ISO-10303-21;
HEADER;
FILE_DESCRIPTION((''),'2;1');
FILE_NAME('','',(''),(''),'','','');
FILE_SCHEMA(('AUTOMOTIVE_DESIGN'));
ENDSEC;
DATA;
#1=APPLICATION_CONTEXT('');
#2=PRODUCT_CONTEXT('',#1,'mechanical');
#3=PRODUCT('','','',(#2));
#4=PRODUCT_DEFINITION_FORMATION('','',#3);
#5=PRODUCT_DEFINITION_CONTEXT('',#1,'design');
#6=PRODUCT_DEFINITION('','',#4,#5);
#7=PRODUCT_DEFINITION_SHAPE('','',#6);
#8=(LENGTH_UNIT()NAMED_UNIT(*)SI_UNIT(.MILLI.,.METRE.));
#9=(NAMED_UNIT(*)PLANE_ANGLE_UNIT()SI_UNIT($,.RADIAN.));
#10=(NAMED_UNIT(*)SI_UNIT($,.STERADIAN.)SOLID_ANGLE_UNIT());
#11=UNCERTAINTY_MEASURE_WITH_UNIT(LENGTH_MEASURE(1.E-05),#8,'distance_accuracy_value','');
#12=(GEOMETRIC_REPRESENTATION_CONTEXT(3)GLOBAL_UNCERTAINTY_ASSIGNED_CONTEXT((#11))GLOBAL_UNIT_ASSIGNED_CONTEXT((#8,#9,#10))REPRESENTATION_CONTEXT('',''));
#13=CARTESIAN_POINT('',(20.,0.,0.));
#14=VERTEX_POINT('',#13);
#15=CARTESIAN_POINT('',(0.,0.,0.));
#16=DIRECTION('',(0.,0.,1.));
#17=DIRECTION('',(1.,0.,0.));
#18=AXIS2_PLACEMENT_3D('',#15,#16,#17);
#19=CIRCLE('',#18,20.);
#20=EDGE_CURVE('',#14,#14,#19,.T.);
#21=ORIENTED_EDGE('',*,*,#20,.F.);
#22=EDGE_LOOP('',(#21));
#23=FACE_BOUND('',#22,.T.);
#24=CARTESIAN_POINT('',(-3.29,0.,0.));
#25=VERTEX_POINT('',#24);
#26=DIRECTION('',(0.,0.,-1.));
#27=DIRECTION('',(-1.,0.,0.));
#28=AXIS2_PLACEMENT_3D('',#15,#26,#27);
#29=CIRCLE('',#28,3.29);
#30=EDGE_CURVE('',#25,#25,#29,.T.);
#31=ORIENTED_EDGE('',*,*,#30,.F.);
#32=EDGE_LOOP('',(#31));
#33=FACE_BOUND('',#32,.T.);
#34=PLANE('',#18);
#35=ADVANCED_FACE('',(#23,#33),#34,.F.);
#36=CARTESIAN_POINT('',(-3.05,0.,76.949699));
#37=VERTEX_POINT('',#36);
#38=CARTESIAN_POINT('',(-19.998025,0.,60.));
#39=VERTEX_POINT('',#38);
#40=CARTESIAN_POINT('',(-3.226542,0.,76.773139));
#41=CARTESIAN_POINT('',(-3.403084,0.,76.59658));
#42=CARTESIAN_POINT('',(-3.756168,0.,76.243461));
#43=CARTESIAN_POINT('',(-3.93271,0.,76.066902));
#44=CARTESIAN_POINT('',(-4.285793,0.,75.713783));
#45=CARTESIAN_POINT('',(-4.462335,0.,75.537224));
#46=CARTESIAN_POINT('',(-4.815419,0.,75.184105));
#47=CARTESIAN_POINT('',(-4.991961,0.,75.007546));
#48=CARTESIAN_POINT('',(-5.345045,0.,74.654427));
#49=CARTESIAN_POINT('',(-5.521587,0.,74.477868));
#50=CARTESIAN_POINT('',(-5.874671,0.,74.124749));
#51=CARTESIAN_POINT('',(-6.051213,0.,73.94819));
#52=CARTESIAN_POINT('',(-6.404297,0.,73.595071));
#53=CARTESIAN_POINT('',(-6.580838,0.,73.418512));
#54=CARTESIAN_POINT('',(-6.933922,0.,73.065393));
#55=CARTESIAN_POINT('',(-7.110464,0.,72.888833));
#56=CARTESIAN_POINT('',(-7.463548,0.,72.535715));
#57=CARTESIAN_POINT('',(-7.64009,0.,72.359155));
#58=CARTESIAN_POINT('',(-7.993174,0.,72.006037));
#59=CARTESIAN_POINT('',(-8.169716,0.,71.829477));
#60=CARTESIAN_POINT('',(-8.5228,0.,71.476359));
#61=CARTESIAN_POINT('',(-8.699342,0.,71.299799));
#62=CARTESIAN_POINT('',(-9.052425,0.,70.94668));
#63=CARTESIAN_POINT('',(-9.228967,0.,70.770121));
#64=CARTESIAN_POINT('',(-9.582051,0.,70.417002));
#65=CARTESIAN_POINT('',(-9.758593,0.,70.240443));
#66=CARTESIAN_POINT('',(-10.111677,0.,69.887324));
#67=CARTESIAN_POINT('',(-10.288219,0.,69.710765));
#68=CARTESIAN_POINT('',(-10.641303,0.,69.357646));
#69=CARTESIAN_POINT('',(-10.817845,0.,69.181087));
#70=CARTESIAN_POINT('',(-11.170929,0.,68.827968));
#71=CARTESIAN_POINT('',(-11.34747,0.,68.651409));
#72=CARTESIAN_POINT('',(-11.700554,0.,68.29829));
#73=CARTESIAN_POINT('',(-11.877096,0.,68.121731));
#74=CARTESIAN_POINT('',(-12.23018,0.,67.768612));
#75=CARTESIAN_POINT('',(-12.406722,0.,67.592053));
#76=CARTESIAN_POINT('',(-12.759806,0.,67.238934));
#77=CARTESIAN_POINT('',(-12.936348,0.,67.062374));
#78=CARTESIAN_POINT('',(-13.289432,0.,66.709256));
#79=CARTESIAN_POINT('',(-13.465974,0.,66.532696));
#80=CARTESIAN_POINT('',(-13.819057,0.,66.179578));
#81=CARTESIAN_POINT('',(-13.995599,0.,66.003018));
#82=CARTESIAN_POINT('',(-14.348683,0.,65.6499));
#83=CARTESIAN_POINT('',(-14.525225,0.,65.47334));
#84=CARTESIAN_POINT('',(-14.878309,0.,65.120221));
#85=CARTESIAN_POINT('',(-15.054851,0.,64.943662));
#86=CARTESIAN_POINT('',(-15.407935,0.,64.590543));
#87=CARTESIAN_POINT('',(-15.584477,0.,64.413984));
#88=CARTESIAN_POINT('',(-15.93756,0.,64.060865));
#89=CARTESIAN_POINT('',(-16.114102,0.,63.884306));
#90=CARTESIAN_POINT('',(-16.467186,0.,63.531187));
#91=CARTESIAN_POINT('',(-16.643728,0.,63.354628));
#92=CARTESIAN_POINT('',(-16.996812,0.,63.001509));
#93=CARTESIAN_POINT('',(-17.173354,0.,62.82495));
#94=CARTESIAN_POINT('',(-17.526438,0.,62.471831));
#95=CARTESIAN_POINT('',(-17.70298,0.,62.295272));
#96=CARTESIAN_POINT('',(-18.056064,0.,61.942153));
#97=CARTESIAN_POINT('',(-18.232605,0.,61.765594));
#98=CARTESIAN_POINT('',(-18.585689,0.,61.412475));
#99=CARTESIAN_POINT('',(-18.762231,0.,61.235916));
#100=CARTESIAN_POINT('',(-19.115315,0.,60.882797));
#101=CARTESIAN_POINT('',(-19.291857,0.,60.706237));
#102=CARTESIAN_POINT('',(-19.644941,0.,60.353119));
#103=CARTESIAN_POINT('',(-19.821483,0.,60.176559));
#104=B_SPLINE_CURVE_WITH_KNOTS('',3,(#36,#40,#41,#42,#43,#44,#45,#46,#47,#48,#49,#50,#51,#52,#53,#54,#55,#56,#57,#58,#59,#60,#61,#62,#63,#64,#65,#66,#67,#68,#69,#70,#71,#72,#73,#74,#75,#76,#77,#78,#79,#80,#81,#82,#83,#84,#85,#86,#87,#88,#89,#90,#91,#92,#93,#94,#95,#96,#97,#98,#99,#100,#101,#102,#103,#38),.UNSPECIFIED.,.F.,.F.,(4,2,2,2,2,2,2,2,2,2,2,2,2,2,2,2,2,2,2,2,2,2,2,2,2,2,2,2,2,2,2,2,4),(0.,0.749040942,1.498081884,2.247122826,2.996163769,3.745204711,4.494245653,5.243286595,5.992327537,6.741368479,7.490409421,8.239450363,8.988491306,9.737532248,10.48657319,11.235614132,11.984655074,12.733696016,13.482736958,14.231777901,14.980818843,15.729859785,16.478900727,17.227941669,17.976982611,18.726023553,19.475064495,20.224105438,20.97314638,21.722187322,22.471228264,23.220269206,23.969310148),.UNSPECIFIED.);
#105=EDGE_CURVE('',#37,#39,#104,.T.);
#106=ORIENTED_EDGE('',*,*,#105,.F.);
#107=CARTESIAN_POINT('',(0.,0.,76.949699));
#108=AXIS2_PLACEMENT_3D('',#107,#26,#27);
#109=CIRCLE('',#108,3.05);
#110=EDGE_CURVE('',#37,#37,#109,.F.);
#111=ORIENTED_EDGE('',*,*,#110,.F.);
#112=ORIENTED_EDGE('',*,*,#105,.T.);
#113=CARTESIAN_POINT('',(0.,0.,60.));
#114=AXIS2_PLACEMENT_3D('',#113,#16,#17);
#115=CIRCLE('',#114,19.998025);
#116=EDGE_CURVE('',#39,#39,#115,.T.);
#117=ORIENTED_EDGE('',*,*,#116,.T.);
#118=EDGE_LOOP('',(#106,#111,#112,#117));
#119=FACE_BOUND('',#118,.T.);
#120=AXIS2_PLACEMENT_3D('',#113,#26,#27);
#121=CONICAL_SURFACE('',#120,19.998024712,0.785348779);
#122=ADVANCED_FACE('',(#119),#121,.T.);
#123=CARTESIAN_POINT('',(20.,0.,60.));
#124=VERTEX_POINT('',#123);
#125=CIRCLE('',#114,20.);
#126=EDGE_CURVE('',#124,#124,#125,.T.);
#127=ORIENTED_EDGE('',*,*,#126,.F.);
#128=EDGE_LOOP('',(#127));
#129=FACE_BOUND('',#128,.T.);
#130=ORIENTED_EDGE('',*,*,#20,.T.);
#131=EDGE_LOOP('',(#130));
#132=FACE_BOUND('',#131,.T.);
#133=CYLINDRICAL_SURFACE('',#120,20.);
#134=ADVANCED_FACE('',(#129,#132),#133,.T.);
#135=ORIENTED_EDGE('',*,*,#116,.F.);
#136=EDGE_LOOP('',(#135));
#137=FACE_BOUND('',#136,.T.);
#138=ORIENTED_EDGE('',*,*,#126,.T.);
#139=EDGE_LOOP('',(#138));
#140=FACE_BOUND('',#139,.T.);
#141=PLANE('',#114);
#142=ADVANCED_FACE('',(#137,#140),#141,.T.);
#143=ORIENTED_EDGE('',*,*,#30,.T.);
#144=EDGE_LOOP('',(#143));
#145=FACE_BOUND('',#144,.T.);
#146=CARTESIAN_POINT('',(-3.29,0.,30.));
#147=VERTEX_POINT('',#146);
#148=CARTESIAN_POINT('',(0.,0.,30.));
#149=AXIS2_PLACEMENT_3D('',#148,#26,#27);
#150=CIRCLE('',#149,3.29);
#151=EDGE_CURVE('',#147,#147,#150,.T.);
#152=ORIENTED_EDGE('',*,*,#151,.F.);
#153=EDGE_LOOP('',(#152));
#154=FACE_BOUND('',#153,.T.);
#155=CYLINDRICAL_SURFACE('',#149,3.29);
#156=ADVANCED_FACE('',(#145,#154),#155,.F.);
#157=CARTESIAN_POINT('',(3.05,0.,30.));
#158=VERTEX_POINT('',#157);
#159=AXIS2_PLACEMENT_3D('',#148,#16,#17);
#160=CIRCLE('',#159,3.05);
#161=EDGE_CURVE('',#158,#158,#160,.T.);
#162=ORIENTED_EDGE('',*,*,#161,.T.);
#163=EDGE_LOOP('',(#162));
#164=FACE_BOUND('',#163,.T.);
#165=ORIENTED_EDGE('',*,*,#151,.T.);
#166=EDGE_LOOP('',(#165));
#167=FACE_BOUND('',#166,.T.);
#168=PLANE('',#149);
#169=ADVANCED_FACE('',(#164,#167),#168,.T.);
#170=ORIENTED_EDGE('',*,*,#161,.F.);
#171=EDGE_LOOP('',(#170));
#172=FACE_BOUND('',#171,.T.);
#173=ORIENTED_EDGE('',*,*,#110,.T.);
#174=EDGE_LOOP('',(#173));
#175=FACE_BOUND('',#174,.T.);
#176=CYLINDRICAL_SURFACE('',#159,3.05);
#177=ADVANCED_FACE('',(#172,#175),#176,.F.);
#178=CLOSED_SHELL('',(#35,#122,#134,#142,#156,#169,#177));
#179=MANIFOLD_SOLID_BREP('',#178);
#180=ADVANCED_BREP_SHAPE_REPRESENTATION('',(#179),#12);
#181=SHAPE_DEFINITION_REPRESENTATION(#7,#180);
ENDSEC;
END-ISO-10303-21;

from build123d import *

# Parameters (mm, degrees)
SKETCH1_R           = 20
BOSS_EXTRUDE1_DEPTH = 60
SKETCH2_R           = 3.05
CUT_EXTRUDE1_DEPTH  = 30
SKETCH3_R           = 3.29
CUT_EXTRUDE2_DEPTH  = 30
CUT_EXTRUDE3_START  = -100
SKETCH7_R           = 3.05
CUT_EXTRUDE3_DEPTH  = 100


with BuildPart() as part:
    # Sketch1 → Boss-Extrude1 (new body)
    with BuildSketch(Plane.XY):
        Circle(SKETCH1_R)
    extrude(amount=BOSS_EXTRUDE1_DEPTH)

    # Sketch2 → Cut-Extrude1 (cut)
    with BuildSketch(Plane.XY.offset(60)):
        Circle(SKETCH2_R)
    extrude(amount=-CUT_EXTRUDE1_DEPTH, mode=Mode.SUBTRACT)

    # Sketch3 → Cut-Extrude2 (cut)
    with BuildSketch(Plane(origin=(0, 0, 0), x_dir=(-1, 0, 0), z_dir=(0, 0, -1))):
        Circle(SKETCH3_R)
    extrude(amount=-CUT_EXTRUDE2_DEPTH, mode=Mode.SUBTRACT)

    # Sketch6 → Revolve1 (revolve)
    with BuildSketch(Plane(origin=(0, 0, 0), x_dir=(0, 0, -1), z_dir=(1, 0, 0)), mode=Mode.PRIVATE) as revolve1_sk:
        Polygon((-60, 19.998024712), (-80, 0), (-60, 0), align=None)
    revolve(revolve1_sk.sketch.rotate(Axis((0, 0, 60), (0, 0, 1)), 90), axis=Axis((0, 0, 60), (0, 0, 1)))

    # Sketch7 → Cut-Extrude3 (cut)
    with BuildSketch(Plane(origin=(0, 0, 0), x_dir=(-1, 0, 0), z_dir=(0, 0, -1)).offset(CUT_EXTRUDE3_START)):
        with Locations(Location((0, 0, 0), (0, 0, 180))):
            Circle(SKETCH7_R)
    extrude(amount=CUT_EXTRUDE3_DEPTH, mode=Mode.SUBTRACT)


solid = part.part
